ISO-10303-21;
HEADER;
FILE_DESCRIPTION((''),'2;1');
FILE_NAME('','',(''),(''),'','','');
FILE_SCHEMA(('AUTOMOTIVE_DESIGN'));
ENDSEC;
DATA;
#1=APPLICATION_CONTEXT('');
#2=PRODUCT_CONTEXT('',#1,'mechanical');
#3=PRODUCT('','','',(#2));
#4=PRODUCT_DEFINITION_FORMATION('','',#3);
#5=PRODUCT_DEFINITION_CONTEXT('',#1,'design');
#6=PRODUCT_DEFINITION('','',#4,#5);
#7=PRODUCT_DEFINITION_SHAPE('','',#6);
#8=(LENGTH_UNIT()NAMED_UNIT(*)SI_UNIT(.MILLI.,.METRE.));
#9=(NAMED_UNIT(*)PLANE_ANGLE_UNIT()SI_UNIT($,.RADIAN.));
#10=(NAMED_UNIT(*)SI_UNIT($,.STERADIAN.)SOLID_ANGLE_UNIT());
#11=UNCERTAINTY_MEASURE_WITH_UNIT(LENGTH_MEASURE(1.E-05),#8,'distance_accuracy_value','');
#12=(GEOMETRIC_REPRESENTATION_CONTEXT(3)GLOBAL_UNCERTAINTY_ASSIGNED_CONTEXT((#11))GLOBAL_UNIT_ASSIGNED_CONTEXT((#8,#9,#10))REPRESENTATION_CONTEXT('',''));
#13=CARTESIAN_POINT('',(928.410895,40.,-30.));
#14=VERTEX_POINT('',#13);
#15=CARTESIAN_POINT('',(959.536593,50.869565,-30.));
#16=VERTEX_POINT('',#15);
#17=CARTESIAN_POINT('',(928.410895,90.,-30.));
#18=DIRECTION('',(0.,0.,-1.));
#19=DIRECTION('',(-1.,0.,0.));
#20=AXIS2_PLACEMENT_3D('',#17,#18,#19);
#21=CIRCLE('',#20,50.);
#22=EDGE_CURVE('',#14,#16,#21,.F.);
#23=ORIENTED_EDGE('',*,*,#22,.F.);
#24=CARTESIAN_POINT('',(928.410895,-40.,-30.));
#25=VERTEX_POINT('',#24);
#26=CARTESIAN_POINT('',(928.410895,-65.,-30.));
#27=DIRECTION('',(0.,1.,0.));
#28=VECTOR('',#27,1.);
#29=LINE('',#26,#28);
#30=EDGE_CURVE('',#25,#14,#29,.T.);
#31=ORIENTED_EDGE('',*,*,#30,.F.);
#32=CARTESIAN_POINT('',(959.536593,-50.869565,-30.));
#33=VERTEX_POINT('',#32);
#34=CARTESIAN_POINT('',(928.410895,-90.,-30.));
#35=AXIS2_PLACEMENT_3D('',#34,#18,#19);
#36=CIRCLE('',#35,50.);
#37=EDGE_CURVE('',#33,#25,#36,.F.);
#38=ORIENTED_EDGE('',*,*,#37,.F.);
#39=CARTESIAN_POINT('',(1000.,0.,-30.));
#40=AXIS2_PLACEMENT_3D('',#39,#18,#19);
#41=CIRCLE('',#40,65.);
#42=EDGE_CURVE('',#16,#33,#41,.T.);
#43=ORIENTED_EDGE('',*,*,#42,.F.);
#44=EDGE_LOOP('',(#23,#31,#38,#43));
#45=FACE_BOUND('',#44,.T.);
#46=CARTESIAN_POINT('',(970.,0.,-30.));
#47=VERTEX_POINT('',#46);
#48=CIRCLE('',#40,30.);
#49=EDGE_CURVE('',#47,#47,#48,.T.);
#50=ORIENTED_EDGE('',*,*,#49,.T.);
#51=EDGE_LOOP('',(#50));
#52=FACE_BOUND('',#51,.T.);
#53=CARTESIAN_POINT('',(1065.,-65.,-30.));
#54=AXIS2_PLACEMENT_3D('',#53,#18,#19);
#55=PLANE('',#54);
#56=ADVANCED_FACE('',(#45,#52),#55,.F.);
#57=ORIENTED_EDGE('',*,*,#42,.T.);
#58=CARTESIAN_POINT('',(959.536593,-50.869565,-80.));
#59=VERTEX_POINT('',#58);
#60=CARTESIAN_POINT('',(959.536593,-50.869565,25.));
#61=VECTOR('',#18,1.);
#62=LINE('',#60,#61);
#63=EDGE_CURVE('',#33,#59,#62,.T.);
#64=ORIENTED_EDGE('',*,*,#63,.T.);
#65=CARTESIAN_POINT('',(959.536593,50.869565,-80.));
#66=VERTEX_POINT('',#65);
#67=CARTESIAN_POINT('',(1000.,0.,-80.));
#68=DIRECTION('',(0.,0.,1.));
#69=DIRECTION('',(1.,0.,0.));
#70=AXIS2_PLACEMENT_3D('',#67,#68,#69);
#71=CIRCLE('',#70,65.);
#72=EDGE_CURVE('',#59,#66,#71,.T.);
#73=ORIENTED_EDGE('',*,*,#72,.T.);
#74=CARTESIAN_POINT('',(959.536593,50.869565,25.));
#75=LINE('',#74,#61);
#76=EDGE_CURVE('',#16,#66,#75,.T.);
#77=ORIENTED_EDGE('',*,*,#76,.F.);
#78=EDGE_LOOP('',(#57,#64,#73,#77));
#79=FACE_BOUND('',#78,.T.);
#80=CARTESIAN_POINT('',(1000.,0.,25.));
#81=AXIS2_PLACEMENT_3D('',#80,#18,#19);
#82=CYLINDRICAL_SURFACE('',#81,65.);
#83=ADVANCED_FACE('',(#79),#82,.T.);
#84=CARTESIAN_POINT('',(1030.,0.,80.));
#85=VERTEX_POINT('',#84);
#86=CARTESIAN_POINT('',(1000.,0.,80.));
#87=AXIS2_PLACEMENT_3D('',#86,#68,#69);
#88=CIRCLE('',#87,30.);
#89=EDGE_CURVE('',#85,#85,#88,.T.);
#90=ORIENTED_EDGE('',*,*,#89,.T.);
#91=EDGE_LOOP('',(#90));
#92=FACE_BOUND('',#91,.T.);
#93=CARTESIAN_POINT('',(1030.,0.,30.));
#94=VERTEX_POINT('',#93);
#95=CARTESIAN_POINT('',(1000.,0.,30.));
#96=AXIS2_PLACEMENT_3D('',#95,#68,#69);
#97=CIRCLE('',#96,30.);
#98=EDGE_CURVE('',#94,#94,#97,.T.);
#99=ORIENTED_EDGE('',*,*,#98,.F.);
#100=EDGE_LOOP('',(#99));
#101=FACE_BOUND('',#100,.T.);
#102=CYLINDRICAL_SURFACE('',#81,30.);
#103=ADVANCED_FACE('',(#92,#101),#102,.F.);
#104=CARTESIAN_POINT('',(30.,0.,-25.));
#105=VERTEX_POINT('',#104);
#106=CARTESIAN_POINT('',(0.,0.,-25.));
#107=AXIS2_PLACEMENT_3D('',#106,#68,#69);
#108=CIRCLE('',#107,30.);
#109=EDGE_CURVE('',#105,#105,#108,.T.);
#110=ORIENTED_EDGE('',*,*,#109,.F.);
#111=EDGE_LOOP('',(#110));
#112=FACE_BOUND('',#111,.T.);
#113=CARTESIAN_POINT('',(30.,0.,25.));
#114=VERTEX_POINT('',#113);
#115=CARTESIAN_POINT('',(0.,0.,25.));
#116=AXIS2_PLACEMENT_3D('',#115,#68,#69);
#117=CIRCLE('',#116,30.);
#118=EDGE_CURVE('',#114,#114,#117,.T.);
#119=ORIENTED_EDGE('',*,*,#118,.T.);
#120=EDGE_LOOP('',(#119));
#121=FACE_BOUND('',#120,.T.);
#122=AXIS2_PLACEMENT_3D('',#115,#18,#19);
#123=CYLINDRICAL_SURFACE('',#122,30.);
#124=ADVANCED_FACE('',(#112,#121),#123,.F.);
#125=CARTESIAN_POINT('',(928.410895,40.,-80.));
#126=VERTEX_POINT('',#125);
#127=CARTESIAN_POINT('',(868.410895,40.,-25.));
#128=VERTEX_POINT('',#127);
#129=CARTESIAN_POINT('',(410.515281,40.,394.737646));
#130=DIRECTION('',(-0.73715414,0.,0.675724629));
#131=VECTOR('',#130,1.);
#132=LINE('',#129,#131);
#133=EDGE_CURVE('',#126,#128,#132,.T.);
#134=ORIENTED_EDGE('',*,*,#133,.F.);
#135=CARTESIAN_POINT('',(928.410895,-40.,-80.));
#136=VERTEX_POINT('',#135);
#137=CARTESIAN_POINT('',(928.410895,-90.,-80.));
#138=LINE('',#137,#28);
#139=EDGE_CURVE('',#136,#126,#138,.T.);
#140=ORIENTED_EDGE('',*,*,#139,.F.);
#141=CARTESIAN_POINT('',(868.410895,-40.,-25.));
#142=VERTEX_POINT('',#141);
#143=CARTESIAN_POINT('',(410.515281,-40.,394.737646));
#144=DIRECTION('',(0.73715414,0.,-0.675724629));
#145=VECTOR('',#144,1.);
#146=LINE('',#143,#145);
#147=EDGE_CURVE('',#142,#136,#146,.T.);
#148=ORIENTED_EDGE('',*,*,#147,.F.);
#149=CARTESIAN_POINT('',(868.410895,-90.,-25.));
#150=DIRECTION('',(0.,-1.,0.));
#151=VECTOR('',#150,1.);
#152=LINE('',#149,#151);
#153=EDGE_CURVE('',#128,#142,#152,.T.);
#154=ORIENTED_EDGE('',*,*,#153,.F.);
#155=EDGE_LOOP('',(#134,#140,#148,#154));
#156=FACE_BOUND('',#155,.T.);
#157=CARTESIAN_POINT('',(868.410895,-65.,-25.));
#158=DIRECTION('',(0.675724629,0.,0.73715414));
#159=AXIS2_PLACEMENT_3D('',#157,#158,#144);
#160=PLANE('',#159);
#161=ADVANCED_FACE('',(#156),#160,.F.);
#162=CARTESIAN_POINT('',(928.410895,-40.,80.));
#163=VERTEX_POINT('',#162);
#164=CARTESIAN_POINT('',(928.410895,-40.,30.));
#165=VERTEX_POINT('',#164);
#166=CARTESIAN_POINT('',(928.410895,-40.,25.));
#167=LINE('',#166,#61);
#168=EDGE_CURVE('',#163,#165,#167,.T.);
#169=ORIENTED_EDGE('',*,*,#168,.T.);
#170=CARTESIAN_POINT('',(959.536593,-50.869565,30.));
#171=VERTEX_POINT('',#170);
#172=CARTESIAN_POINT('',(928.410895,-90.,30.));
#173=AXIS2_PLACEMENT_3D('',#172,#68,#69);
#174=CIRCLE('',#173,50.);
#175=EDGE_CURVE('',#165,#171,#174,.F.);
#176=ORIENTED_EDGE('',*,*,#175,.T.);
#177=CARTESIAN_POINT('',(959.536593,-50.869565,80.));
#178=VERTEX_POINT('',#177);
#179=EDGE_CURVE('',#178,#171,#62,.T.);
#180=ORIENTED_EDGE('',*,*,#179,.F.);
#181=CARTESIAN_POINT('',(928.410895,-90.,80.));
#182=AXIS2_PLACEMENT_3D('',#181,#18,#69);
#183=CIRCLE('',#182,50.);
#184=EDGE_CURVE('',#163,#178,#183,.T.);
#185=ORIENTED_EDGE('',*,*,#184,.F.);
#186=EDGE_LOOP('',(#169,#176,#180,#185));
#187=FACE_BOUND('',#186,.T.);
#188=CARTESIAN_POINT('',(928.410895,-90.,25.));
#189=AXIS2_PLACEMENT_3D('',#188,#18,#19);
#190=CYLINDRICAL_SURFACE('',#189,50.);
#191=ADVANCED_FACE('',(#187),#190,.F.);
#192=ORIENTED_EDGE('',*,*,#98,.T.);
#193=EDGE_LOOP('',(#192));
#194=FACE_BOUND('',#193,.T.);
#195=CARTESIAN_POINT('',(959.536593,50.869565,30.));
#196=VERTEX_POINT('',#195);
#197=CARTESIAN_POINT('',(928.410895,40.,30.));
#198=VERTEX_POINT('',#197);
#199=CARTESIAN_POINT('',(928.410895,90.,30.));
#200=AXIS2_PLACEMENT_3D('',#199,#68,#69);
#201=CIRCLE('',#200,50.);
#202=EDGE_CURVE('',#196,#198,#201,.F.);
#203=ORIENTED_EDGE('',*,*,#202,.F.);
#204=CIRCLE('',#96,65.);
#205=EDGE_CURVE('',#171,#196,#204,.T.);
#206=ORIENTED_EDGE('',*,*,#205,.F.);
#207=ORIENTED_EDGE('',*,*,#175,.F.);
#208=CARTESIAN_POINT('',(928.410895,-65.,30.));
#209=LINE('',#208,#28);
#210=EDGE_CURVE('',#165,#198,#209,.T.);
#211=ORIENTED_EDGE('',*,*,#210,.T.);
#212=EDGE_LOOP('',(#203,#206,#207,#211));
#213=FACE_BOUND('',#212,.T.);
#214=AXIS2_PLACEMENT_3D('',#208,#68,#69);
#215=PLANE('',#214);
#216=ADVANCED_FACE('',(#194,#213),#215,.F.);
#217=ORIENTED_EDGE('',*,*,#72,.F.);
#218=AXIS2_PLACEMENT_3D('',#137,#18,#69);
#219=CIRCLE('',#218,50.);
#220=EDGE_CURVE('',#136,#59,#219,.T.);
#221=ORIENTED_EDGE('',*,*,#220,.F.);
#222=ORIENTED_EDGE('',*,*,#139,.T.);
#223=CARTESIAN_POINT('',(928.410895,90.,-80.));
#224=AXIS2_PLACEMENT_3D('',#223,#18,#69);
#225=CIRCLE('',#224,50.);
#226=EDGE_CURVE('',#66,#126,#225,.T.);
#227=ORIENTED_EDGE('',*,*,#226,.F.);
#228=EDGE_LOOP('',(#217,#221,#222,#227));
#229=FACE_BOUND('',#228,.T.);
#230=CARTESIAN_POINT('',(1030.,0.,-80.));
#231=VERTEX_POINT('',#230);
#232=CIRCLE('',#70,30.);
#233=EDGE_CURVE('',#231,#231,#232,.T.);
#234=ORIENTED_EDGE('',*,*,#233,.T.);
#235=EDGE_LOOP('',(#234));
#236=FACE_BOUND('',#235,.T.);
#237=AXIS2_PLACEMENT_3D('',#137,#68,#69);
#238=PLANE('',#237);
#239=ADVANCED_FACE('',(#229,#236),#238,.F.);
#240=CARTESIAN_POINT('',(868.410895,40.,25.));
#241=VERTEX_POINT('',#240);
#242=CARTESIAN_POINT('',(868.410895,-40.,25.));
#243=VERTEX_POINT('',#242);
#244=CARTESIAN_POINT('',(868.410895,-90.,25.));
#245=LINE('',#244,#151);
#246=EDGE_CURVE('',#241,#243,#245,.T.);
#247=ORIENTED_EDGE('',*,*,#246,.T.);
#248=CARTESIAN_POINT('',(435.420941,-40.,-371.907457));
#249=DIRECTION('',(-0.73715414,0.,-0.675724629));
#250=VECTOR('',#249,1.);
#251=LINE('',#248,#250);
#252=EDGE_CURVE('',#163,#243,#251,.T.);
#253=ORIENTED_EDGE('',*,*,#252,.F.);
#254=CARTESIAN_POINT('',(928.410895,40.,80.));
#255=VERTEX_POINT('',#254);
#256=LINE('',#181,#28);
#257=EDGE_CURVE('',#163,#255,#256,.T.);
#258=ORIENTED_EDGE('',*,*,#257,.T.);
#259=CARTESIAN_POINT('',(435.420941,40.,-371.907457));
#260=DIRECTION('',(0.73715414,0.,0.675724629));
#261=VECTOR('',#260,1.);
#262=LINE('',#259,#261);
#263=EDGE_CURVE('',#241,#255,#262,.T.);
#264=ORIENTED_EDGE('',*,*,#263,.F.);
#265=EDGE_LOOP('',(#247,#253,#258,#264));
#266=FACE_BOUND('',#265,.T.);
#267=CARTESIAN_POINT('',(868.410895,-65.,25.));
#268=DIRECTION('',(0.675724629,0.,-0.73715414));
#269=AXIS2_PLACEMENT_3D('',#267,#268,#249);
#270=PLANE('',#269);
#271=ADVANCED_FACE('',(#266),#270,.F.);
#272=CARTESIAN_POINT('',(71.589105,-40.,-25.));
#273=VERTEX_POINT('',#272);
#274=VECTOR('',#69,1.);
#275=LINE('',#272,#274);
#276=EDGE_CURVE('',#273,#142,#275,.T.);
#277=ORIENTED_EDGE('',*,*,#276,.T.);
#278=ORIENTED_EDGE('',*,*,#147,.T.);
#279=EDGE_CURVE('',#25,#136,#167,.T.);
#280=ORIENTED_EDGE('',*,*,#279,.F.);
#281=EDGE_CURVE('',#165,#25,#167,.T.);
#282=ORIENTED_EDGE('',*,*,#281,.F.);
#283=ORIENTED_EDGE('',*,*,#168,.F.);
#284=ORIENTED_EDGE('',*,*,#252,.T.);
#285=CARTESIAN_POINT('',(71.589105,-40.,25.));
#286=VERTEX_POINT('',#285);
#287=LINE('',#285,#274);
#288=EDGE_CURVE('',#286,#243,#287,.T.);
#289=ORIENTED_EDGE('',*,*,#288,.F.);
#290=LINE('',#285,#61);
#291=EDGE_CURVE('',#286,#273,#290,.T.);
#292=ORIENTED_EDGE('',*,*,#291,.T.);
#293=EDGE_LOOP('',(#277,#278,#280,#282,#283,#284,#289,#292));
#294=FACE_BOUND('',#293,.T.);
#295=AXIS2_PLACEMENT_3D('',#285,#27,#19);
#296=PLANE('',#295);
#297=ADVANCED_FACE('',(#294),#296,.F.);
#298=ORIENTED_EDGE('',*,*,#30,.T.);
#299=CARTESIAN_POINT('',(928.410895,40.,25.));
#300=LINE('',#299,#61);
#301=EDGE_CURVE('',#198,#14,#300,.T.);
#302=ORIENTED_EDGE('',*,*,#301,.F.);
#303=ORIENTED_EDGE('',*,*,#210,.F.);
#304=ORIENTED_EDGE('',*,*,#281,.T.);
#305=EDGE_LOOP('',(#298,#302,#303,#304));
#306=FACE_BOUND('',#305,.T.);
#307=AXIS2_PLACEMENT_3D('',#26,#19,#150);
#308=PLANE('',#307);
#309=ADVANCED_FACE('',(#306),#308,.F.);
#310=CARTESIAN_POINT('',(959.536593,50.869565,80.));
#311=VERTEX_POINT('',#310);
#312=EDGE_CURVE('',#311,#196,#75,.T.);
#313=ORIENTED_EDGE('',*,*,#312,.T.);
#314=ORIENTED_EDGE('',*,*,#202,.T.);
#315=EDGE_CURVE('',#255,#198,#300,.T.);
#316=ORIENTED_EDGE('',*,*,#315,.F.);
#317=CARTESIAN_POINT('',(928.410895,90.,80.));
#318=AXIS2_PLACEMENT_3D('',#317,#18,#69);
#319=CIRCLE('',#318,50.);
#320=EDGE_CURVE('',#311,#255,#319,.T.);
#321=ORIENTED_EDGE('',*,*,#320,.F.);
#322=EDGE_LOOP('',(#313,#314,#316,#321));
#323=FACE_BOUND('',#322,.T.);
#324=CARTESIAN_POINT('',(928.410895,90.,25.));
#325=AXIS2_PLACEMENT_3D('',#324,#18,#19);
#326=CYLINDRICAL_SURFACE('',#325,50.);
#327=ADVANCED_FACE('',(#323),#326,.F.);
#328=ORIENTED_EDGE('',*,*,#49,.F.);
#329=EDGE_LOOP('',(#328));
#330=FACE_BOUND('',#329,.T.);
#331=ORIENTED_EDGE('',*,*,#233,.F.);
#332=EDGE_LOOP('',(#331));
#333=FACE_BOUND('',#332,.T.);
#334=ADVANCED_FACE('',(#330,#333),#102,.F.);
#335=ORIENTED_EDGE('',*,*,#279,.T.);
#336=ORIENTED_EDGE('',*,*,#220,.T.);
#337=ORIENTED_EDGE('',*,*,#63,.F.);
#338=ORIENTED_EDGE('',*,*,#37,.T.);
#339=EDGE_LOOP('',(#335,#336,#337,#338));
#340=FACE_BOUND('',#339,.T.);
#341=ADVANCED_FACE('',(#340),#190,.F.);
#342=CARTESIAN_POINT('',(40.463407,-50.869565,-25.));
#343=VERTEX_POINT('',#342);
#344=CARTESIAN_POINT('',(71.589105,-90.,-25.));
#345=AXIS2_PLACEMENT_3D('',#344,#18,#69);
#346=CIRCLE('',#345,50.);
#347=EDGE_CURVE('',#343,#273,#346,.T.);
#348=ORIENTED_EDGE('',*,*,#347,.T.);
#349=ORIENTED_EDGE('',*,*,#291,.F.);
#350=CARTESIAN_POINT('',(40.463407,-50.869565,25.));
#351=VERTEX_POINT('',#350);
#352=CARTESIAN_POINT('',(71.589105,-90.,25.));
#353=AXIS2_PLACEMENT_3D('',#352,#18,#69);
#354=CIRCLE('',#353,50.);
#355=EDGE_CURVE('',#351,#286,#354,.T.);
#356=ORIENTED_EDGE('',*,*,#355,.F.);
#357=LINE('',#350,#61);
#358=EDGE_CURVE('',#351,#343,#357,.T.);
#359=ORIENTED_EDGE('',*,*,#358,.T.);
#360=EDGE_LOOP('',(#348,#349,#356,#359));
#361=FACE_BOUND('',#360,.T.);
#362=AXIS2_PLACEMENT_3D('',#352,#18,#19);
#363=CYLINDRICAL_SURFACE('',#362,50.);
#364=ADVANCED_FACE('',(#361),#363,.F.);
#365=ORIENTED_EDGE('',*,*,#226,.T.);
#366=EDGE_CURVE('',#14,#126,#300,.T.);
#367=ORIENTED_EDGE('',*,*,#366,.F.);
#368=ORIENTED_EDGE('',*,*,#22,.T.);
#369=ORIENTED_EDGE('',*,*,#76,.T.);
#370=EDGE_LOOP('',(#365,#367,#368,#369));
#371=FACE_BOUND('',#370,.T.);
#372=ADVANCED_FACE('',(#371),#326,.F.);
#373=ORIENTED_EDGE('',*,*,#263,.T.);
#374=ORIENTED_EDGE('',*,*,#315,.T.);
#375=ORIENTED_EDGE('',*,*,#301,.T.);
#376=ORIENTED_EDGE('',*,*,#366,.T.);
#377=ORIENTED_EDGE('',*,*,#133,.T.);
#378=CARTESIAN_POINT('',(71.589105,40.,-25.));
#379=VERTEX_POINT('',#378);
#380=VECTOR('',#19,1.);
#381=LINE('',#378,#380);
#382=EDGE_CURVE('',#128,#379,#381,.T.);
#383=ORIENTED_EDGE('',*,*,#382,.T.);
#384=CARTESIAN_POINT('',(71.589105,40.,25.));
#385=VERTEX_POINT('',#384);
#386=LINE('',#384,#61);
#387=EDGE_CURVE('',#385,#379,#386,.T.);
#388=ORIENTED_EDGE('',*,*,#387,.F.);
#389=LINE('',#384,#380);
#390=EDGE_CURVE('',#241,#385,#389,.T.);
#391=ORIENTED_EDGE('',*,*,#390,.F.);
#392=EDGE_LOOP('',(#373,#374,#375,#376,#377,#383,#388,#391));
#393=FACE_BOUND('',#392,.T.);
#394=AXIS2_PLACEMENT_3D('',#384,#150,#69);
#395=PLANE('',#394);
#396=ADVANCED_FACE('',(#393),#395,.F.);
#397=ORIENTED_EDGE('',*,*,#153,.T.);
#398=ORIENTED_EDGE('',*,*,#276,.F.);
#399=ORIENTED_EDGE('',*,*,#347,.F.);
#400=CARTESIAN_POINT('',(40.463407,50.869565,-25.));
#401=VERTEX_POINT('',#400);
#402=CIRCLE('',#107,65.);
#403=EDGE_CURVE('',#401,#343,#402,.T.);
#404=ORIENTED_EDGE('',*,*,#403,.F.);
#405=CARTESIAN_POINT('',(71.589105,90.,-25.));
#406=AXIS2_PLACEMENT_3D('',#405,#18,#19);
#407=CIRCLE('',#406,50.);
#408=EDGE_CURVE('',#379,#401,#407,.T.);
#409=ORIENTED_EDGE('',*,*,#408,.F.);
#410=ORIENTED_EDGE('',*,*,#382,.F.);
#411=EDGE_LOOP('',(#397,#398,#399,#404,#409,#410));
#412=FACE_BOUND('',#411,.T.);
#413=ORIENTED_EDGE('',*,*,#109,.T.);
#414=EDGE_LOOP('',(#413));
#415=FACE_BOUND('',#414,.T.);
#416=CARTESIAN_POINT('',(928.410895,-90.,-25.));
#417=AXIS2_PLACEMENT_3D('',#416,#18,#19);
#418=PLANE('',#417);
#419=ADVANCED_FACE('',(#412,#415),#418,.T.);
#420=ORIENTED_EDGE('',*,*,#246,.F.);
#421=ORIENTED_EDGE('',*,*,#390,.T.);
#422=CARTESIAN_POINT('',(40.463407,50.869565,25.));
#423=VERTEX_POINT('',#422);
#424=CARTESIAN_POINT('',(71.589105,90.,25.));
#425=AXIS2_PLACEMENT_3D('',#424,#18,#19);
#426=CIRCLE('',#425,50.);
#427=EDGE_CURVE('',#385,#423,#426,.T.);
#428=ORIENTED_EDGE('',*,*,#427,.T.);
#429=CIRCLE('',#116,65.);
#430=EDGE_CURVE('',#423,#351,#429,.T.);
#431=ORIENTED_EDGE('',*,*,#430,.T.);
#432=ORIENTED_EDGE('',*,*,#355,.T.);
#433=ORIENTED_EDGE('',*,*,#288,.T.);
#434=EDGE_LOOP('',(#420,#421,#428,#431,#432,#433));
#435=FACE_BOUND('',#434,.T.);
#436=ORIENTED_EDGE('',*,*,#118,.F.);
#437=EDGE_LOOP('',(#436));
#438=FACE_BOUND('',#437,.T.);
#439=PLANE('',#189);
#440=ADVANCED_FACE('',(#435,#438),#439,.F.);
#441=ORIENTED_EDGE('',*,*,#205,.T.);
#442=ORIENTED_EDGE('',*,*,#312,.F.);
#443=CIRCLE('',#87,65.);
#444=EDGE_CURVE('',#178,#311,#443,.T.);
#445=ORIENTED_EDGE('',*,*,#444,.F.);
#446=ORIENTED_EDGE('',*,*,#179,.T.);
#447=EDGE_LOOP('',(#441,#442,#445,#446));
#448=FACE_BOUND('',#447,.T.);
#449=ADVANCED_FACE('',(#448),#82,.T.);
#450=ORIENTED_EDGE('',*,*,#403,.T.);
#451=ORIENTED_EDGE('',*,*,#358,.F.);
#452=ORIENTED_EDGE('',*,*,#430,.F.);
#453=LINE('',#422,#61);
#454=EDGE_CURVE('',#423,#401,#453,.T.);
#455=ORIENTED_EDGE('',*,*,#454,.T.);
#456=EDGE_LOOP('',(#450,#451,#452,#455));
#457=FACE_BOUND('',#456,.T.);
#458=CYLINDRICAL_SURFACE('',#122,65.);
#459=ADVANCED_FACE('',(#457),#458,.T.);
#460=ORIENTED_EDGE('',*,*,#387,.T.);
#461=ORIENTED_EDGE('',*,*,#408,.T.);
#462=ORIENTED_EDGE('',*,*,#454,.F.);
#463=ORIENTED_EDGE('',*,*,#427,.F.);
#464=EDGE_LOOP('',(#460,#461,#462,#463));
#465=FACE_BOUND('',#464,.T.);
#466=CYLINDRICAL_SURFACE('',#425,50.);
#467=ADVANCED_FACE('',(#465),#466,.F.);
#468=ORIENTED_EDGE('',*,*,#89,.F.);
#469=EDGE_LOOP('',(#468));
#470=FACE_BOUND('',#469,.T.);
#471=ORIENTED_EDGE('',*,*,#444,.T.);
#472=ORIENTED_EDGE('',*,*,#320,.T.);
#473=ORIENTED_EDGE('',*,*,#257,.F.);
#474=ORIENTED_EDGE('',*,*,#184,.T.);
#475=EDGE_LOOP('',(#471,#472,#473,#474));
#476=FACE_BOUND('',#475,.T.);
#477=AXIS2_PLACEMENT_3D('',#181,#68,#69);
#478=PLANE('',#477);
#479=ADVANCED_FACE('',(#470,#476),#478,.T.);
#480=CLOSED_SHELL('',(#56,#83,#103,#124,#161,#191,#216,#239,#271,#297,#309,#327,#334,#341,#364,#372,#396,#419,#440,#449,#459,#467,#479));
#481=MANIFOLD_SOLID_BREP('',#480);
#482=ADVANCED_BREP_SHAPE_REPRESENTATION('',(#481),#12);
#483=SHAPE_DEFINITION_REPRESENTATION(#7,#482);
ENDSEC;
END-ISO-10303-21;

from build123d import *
from build123d.topology import SkipClean

# Parameters (mm, degrees)
SKETCH1_R               = 30
BOSS_EXTRUDE1_DEPTH     = 25
SKETCH3_R               = 30
BOSS_EXTRUDE2_DEPTH     = 80
CUT_EXTRUDE1_DEPTH      = 1074.14957019
CUT_EXTRUDE1_DEPTH_BACK = 1074.14957019
SKETCH4_W               = 136.589105316
SKETCH4_H               = 60


with BuildPart() as part:
    # Sketch1 → Boss-Extrude1 (new, symmetric)
    with BuildSketch(Plane.XY):
        with BuildLine():
            Line((71.589105316, 40), (928.410894684, 40))
            ThreePointArc((928.410894684, 40), (944.895406519, 42.795541847), (959.536592647, 50.869565217))
            ThreePointArc((959.536592647, 50.869565217), (1065, 0), (959.536592647, -50.869565217))
            ThreePointArc((959.536592647, -50.869565217), (944.895406519, -42.795541847), (928.410894684, -40))
            Line((928.410894684, -40), (71.589105316, -40))
            ThreePointArc((71.589105316, -40), (55.104593481, -42.795541847), (40.463407353, -50.869565217))
            ThreePointArc((40.463407353, -50.869565217), (-65, 0), (40.463407353, 50.869565217))
            ThreePointArc((40.463407353, 50.869565217), (55.104593481, 42.795541847), (71.589105316, 40))
        make_face()
        Circle(SKETCH1_R, mode=Mode.SUBTRACT)
        with Locations((1000, 0)):
            Circle(SKETCH1_R, mode=Mode.SUBTRACT)
    extrude(amount=BOSS_EXTRUDE1_DEPTH, both=True)

    # Sketch3 → Boss-Extrude2 (add, symmetric)
    with SkipClean():  # the faces are left unmerged after this step: merging them gives an invalid solid
        with BuildSketch(Plane.XY):
            with BuildLine():
                Line((868.410894684, -40), (928.410894684, -40))
                ThreePointArc((928.410894684, -40), (944.895406519, -42.795541847), (959.536592647, -50.869565217))
                ThreePointArc((959.536592647, -50.869565217), (1065, 0), (959.536592647, 50.869565217))
                ThreePointArc((959.536592647, 50.869565217), (944.895406519, 42.795541847), (928.410894684, 40))
                Line((928.410894684, 40), (868.410894684, 40))
                Line((868.410894684, 40), (868.410894684, -40))
            make_face()
            with Locations((1000, 0)):
                Circle(SKETCH3_R, mode=Mode.SUBTRACT)
        extrude(amount=BOSS_EXTRUDE2_DEPTH, both=True)

    # Sketch4 → Cut-Extrude1 (cut, two sides: drawn at the far end of the back side and taken through both)
    with BuildSketch(Plane(origin=(0, 40, 0), x_dir=(1, 0, 0), z_dir=(0, 1, 0)).offset(-CUT_EXTRUDE1_DEPTH_BACK)):
        Polygon((868.410894684, 25), (928.410894684, 80), (868.410894684, 80), align=None)
        with Locations((996.705447342, 0)):
            Rectangle(SKETCH4_W, SKETCH4_H)
        Polygon((928.410894684, -80), (868.410894684, -80), (868.410894684, -25), align=None)
    extrude(amount=CUT_EXTRUDE1_DEPTH + CUT_EXTRUDE1_DEPTH_BACK, mode=Mode.SUBTRACT)


solid = part.part
